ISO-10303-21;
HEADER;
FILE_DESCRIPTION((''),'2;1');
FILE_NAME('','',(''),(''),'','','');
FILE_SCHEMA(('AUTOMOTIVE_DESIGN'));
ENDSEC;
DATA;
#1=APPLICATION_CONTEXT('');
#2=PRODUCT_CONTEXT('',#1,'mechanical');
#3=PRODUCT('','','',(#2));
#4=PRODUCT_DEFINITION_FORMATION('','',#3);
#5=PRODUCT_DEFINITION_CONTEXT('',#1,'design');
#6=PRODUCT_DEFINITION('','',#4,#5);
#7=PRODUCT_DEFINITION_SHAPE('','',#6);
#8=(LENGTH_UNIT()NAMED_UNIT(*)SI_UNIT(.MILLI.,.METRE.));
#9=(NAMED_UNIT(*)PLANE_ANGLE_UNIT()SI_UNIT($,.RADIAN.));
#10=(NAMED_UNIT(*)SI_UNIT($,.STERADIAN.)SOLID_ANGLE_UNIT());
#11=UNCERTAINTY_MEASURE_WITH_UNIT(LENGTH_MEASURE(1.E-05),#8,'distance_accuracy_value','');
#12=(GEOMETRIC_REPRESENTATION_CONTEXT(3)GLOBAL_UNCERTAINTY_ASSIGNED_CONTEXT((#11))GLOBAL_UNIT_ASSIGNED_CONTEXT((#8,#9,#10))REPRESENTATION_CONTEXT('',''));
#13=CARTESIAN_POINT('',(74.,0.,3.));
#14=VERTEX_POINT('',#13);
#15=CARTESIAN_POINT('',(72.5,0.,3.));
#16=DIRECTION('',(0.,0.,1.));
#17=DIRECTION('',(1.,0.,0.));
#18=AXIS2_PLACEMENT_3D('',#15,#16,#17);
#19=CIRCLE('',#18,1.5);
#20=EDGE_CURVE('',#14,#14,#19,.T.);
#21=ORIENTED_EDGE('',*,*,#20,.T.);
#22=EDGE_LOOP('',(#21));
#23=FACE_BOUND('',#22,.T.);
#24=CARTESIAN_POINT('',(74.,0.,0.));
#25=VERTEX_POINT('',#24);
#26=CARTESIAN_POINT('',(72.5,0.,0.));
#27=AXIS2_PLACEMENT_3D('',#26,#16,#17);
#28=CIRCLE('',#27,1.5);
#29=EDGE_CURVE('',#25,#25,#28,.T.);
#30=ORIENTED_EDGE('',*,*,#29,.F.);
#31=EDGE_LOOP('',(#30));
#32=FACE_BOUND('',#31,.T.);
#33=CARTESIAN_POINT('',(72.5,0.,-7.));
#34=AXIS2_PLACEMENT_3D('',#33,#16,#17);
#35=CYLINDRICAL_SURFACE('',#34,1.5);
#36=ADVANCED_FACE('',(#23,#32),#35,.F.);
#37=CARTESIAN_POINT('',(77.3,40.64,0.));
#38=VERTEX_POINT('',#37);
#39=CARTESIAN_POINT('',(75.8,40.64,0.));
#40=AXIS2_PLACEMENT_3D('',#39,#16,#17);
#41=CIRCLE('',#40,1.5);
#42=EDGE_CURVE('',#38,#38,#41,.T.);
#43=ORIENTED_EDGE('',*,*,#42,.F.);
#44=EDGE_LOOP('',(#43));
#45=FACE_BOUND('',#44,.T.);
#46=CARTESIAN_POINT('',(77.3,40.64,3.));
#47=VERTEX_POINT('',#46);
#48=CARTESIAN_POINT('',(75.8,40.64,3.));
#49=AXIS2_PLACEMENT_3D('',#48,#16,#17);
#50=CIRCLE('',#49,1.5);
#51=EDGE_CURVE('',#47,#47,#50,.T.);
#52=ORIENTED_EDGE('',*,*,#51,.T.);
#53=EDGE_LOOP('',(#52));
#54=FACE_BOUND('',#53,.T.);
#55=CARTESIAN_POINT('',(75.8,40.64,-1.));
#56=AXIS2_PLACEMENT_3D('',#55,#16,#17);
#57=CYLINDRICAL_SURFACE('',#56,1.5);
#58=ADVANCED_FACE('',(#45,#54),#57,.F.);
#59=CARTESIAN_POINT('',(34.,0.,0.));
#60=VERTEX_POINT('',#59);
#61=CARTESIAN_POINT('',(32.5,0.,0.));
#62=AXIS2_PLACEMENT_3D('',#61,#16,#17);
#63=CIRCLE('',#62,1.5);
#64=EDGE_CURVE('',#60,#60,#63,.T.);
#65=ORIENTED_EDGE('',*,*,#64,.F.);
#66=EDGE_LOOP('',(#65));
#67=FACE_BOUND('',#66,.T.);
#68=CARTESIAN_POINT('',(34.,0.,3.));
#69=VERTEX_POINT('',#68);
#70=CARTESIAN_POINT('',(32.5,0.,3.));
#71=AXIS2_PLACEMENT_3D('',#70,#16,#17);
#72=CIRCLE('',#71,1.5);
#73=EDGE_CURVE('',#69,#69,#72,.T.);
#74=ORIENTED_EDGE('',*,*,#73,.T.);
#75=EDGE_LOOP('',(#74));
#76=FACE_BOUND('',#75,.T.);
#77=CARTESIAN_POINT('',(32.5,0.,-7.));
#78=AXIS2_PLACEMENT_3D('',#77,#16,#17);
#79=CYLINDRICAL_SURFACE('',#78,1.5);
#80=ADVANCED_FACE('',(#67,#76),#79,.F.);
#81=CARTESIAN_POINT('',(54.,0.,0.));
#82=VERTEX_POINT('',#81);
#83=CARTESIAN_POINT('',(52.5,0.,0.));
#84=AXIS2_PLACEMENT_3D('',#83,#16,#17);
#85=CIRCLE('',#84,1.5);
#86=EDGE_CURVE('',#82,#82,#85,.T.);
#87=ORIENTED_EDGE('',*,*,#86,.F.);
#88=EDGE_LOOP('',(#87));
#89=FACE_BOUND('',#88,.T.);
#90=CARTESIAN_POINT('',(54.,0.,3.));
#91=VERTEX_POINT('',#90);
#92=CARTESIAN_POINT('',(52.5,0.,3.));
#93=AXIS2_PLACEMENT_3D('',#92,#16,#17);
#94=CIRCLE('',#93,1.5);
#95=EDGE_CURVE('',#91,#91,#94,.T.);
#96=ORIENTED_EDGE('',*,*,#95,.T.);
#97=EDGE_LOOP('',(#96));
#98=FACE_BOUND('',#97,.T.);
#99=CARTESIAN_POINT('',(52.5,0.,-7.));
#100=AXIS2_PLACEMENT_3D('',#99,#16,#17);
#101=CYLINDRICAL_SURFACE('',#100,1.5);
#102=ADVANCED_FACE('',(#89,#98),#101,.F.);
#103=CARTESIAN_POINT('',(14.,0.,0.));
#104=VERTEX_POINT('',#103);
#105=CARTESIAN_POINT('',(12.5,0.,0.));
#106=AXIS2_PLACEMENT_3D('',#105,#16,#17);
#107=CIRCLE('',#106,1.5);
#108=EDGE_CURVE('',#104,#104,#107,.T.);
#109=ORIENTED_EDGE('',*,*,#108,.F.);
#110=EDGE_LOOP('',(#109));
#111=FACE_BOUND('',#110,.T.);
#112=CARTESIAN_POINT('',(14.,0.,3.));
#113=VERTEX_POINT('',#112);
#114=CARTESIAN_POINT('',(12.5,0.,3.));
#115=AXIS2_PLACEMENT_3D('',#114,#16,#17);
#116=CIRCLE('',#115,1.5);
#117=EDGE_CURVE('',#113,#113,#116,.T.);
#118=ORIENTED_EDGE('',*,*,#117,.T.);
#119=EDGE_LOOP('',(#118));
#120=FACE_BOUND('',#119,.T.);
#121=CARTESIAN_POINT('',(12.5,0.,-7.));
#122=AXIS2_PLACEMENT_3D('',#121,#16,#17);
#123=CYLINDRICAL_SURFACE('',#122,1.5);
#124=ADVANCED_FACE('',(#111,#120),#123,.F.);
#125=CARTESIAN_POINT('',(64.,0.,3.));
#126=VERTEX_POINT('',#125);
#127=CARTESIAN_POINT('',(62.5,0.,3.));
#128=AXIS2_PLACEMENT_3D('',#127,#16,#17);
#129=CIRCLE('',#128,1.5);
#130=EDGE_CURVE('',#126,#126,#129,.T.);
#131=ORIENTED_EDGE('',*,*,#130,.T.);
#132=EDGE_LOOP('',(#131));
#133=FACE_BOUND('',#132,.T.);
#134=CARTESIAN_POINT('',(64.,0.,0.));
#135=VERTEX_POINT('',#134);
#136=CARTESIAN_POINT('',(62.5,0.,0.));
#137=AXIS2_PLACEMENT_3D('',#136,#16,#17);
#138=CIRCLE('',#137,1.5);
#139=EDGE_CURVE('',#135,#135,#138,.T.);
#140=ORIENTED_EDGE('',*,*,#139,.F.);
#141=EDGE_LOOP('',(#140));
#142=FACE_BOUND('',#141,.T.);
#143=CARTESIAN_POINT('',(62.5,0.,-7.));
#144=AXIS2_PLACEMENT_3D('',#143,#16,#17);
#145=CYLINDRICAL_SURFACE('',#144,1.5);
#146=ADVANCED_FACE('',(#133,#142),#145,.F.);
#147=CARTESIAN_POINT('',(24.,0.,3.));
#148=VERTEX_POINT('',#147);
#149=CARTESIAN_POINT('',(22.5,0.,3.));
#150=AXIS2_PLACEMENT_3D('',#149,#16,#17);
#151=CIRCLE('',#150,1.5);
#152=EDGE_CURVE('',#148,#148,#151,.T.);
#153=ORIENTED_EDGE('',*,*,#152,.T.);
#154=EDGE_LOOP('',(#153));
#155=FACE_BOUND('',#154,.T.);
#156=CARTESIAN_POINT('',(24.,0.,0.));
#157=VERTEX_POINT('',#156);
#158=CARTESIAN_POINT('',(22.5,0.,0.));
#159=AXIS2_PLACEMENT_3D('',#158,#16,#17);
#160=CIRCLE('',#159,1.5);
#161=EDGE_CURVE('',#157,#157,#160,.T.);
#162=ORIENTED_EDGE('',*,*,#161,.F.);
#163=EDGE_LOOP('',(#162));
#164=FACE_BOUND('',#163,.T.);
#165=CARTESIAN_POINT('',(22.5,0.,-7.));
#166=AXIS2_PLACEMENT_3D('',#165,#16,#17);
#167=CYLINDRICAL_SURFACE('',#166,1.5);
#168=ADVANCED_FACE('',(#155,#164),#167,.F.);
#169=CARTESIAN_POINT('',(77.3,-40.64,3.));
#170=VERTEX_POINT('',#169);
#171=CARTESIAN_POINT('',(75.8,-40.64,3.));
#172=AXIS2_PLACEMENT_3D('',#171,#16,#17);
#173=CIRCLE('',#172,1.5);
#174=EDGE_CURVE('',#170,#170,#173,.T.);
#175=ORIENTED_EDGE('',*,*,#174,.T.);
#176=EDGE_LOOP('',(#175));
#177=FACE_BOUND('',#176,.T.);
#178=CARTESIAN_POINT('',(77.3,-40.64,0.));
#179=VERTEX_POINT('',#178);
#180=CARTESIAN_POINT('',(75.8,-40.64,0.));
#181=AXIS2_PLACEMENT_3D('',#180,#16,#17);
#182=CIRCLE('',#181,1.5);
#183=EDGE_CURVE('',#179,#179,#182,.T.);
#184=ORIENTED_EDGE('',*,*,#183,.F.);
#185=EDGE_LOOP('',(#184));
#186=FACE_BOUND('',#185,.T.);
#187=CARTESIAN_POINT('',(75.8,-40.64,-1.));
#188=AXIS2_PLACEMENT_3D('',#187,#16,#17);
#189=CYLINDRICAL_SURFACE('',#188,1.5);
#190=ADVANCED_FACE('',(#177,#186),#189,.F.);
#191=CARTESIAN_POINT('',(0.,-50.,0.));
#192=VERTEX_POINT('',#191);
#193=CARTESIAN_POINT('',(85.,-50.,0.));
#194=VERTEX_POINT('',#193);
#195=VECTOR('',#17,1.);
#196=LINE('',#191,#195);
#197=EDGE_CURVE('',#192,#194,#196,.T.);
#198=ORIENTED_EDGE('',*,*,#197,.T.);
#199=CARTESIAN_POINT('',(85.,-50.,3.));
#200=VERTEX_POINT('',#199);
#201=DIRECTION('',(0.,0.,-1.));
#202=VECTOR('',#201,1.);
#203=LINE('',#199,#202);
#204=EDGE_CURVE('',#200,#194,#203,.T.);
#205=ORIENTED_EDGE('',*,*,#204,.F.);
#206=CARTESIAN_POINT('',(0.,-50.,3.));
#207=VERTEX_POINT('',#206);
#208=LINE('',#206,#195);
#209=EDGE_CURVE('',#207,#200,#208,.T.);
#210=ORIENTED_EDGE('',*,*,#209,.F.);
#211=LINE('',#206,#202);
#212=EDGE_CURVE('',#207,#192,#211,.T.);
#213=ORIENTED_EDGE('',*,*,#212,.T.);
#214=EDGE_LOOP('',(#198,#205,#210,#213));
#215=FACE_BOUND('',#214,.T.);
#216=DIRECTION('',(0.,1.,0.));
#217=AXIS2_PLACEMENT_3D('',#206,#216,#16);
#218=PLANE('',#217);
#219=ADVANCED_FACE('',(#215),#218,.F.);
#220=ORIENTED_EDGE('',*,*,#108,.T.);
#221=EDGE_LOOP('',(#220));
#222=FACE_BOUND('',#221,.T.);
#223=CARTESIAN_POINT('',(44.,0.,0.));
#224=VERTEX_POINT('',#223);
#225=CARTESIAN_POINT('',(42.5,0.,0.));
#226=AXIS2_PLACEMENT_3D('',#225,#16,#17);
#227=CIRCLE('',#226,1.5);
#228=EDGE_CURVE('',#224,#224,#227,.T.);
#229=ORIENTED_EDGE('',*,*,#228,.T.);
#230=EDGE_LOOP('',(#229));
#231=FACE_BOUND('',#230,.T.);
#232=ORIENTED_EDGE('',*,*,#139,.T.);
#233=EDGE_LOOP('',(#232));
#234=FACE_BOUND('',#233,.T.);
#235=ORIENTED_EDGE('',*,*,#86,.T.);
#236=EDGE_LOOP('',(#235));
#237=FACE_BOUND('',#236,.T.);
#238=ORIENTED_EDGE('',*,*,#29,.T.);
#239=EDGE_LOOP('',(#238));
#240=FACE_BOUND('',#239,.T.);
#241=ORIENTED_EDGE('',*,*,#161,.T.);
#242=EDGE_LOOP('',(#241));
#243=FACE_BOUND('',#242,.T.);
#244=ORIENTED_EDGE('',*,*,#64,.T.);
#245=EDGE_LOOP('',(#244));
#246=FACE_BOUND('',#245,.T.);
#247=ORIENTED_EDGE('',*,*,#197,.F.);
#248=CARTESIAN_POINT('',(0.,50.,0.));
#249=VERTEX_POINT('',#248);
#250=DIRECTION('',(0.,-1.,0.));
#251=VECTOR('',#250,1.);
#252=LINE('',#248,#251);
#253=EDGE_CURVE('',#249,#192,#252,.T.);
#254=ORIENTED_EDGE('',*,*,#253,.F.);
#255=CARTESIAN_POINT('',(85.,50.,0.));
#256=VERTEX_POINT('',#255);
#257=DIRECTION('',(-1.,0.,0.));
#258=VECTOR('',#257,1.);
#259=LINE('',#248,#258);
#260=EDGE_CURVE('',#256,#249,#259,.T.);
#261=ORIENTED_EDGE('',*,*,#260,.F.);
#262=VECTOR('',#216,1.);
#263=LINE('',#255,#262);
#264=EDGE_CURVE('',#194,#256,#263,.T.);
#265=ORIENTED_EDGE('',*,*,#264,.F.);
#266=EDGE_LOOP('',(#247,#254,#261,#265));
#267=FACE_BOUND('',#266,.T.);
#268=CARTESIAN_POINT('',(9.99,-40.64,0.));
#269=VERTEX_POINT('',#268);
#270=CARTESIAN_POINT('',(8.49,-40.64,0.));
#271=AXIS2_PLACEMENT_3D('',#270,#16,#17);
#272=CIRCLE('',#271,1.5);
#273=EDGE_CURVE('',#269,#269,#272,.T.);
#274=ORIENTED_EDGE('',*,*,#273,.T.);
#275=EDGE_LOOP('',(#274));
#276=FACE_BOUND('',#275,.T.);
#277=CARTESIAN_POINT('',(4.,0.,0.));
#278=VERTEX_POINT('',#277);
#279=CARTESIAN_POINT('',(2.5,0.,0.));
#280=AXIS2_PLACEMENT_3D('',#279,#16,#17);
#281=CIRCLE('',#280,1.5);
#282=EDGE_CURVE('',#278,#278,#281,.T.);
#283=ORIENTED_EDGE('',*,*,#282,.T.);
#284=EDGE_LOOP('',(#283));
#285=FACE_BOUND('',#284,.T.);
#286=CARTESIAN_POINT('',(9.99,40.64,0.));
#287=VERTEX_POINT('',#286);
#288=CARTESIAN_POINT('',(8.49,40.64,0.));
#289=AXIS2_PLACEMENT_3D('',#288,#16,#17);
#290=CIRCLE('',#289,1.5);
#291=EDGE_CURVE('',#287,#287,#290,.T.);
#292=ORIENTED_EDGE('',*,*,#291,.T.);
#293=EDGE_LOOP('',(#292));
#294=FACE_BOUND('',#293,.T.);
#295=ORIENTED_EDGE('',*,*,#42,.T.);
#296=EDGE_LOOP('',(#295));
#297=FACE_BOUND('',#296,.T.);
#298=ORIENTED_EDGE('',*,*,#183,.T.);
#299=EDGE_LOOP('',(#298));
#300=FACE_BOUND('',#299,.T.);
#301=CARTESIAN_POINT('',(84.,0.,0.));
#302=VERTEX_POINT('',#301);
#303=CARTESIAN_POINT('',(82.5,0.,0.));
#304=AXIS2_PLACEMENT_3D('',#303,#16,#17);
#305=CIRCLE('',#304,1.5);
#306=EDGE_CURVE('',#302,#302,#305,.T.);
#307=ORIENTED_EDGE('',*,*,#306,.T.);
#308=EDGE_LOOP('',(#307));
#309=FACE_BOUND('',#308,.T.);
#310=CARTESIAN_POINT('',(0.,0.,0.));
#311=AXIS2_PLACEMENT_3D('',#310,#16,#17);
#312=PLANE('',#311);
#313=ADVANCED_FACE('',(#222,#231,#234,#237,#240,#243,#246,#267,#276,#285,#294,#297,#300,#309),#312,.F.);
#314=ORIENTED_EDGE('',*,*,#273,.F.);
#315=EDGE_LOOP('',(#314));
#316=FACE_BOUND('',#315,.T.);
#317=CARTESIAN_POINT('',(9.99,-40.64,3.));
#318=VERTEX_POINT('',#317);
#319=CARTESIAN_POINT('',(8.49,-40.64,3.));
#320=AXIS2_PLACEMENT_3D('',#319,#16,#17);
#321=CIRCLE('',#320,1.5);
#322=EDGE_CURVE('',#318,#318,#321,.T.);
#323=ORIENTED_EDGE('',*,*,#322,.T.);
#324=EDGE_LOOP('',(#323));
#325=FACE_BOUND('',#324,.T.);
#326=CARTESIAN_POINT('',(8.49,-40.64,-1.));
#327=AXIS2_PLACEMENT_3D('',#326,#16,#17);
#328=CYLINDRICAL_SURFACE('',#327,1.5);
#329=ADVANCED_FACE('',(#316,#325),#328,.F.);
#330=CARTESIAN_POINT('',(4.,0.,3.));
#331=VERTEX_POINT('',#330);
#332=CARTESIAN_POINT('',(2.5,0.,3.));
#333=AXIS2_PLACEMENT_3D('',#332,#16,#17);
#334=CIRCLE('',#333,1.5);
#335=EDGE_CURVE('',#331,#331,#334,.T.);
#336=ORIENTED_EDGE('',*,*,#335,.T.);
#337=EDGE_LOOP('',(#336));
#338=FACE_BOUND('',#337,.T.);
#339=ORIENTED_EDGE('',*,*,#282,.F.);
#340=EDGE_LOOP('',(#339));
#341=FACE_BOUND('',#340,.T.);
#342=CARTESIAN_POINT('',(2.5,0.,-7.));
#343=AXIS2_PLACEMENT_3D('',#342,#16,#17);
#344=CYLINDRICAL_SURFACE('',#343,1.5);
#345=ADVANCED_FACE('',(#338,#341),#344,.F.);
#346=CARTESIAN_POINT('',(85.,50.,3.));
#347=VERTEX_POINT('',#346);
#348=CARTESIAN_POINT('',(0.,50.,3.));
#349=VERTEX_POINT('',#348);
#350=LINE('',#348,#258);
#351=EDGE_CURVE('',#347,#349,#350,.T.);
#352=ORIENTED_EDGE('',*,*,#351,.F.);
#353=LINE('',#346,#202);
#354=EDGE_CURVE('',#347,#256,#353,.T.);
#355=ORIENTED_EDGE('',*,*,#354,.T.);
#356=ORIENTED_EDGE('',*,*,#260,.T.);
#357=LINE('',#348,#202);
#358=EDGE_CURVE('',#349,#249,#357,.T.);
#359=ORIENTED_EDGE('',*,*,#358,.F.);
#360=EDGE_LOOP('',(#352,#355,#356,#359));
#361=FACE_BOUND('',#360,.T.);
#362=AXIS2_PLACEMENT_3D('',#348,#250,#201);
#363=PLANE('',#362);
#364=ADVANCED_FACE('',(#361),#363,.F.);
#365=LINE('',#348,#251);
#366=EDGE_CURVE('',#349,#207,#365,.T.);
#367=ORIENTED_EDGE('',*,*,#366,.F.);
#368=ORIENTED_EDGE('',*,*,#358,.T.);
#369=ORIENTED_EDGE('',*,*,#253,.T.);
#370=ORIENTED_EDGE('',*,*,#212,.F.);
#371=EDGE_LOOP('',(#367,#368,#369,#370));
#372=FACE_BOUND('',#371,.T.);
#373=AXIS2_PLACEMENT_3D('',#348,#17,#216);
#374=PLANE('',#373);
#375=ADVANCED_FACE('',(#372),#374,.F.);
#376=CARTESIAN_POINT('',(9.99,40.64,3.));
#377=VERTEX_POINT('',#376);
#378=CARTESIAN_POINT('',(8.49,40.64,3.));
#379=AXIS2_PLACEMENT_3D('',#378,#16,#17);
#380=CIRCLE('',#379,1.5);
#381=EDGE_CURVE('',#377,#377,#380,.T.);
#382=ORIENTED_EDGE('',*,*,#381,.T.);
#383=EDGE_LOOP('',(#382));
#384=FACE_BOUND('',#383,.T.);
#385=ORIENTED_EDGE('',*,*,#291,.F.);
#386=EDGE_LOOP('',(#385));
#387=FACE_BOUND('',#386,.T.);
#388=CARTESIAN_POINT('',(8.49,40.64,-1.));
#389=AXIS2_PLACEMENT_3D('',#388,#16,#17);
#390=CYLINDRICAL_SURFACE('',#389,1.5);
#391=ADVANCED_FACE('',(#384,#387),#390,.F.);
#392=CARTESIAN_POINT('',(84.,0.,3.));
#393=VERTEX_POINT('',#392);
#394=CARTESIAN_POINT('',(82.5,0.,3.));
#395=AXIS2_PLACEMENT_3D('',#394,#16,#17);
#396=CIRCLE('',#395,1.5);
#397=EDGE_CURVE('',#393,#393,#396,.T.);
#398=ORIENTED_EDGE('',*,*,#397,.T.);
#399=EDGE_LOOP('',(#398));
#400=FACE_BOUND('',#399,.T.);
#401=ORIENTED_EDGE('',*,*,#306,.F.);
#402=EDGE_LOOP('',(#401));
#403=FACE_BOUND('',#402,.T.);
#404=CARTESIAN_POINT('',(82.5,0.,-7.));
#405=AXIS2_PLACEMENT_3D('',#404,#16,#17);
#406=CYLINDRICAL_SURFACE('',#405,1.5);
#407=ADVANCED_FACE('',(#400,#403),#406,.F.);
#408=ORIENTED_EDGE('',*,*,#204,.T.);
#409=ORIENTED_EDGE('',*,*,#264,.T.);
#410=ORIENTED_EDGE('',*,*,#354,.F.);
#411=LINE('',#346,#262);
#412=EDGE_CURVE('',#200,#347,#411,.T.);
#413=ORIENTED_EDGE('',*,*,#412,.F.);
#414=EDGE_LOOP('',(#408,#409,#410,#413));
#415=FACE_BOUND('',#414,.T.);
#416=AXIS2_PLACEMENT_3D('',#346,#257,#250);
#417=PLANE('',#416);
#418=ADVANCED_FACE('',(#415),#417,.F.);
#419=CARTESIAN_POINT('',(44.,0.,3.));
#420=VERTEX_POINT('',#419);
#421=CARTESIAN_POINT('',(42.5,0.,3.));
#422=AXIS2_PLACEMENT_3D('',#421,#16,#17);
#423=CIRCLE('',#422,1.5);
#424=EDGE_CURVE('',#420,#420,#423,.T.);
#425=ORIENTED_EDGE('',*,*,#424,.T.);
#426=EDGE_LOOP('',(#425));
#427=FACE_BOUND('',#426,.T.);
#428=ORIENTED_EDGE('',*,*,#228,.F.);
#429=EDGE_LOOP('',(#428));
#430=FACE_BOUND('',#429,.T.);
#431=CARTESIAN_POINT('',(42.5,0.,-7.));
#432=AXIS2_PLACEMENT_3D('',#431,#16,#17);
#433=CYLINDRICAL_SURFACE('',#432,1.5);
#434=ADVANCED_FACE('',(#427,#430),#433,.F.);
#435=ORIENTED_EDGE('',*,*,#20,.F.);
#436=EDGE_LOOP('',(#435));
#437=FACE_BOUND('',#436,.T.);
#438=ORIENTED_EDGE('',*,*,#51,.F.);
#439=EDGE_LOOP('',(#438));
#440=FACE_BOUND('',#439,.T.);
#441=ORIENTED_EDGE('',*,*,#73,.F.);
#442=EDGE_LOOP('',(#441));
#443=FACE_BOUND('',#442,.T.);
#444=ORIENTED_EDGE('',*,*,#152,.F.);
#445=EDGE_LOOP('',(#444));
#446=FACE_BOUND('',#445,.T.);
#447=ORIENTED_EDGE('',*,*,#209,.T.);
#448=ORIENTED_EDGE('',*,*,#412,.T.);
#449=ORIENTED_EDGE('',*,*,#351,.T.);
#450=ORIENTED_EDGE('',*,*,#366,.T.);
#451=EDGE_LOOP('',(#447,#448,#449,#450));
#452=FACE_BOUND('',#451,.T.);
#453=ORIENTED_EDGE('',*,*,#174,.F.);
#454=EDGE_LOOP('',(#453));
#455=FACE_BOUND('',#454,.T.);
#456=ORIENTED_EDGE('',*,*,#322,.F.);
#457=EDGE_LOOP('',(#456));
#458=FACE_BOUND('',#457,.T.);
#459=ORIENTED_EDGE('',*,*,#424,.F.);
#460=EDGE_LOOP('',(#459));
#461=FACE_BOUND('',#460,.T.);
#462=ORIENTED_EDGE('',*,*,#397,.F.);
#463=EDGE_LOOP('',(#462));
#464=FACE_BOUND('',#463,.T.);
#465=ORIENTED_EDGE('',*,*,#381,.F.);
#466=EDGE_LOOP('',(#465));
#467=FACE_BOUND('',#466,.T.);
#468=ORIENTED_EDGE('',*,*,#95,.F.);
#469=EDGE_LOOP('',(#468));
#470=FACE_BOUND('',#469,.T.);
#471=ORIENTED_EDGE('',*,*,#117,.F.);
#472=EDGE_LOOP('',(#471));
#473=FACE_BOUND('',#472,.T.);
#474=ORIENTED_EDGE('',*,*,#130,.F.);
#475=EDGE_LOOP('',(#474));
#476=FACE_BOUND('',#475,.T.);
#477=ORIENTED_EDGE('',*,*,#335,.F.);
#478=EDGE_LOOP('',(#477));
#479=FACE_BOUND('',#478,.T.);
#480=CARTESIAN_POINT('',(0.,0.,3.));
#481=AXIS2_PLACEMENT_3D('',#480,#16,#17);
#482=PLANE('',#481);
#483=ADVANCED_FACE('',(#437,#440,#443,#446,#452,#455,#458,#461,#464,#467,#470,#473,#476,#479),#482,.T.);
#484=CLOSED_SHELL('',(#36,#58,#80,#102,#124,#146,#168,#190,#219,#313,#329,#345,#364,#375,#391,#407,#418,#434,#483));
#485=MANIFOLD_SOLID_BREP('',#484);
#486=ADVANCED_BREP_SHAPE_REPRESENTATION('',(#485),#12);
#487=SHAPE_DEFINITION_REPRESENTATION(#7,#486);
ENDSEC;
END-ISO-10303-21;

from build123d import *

# Parameters (mm, degrees)
SKETCH1_W           = 85
SKETCH1_H           = 100
BOSS_EXTRUDE1_DEPTH = 3
SKETCH2_R           = 1.5
CUT_EXTRUDE1_DEPTH  = 4
SKETCH3_R           = 1.5
CUT_EXTRUDE2_DEPTH  = 10


with BuildPart() as part:
    # Sketch1 → Boss-Extrude1 (new body)
    with BuildSketch(Plane.XY):
        with Locations((42.5, 0)):
            Rectangle(SKETCH1_W, SKETCH1_H)
    extrude(amount=BOSS_EXTRUDE1_DEPTH)

    # Sketch2 → Cut-Extrude1 (cut)
    with BuildSketch(Plane.XY.offset(3)):
        with Locations((75.8, 40.64)):
            Circle(SKETCH2_R)
        with Locations((75.8, -40.64)):
            Circle(SKETCH2_R)
        with Locations((8.49, 40.64)):
            Circle(SKETCH2_R)
        with Locations((8.49, -40.64)):
            Circle(SKETCH2_R)
    extrude(amount=-CUT_EXTRUDE1_DEPTH, mode=Mode.SUBTRACT)

    # Sketch3 → Cut-Extrude2 (cut)
    with BuildSketch(Plane.XY.offset(3)):
        with Locations((42.5, 0)):
            Circle(SKETCH3_R)
        with Locations((52.5, 0)):
            Circle(SKETCH3_R)
        with Locations((62.5, 0)):
            Circle(SKETCH3_R)
        with Locations((72.5, 0)):
            Circle(SKETCH3_R)
        with Locations((82.5, 0)):
            Circle(SKETCH3_R)
        with Locations((32.5, 0)):
            Circle(SKETCH3_R)
        with Locations((22.5, 0)):
            Circle(SKETCH3_R)
        with Locations((12.5, 0)):
            Circle(SKETCH3_R)
        with Locations((2.5, 0)):
            Circle(SKETCH3_R)
    extrude(amount=-CUT_EXTRUDE2_DEPTH, mode=Mode.SUBTRACT)


solid = part.part
